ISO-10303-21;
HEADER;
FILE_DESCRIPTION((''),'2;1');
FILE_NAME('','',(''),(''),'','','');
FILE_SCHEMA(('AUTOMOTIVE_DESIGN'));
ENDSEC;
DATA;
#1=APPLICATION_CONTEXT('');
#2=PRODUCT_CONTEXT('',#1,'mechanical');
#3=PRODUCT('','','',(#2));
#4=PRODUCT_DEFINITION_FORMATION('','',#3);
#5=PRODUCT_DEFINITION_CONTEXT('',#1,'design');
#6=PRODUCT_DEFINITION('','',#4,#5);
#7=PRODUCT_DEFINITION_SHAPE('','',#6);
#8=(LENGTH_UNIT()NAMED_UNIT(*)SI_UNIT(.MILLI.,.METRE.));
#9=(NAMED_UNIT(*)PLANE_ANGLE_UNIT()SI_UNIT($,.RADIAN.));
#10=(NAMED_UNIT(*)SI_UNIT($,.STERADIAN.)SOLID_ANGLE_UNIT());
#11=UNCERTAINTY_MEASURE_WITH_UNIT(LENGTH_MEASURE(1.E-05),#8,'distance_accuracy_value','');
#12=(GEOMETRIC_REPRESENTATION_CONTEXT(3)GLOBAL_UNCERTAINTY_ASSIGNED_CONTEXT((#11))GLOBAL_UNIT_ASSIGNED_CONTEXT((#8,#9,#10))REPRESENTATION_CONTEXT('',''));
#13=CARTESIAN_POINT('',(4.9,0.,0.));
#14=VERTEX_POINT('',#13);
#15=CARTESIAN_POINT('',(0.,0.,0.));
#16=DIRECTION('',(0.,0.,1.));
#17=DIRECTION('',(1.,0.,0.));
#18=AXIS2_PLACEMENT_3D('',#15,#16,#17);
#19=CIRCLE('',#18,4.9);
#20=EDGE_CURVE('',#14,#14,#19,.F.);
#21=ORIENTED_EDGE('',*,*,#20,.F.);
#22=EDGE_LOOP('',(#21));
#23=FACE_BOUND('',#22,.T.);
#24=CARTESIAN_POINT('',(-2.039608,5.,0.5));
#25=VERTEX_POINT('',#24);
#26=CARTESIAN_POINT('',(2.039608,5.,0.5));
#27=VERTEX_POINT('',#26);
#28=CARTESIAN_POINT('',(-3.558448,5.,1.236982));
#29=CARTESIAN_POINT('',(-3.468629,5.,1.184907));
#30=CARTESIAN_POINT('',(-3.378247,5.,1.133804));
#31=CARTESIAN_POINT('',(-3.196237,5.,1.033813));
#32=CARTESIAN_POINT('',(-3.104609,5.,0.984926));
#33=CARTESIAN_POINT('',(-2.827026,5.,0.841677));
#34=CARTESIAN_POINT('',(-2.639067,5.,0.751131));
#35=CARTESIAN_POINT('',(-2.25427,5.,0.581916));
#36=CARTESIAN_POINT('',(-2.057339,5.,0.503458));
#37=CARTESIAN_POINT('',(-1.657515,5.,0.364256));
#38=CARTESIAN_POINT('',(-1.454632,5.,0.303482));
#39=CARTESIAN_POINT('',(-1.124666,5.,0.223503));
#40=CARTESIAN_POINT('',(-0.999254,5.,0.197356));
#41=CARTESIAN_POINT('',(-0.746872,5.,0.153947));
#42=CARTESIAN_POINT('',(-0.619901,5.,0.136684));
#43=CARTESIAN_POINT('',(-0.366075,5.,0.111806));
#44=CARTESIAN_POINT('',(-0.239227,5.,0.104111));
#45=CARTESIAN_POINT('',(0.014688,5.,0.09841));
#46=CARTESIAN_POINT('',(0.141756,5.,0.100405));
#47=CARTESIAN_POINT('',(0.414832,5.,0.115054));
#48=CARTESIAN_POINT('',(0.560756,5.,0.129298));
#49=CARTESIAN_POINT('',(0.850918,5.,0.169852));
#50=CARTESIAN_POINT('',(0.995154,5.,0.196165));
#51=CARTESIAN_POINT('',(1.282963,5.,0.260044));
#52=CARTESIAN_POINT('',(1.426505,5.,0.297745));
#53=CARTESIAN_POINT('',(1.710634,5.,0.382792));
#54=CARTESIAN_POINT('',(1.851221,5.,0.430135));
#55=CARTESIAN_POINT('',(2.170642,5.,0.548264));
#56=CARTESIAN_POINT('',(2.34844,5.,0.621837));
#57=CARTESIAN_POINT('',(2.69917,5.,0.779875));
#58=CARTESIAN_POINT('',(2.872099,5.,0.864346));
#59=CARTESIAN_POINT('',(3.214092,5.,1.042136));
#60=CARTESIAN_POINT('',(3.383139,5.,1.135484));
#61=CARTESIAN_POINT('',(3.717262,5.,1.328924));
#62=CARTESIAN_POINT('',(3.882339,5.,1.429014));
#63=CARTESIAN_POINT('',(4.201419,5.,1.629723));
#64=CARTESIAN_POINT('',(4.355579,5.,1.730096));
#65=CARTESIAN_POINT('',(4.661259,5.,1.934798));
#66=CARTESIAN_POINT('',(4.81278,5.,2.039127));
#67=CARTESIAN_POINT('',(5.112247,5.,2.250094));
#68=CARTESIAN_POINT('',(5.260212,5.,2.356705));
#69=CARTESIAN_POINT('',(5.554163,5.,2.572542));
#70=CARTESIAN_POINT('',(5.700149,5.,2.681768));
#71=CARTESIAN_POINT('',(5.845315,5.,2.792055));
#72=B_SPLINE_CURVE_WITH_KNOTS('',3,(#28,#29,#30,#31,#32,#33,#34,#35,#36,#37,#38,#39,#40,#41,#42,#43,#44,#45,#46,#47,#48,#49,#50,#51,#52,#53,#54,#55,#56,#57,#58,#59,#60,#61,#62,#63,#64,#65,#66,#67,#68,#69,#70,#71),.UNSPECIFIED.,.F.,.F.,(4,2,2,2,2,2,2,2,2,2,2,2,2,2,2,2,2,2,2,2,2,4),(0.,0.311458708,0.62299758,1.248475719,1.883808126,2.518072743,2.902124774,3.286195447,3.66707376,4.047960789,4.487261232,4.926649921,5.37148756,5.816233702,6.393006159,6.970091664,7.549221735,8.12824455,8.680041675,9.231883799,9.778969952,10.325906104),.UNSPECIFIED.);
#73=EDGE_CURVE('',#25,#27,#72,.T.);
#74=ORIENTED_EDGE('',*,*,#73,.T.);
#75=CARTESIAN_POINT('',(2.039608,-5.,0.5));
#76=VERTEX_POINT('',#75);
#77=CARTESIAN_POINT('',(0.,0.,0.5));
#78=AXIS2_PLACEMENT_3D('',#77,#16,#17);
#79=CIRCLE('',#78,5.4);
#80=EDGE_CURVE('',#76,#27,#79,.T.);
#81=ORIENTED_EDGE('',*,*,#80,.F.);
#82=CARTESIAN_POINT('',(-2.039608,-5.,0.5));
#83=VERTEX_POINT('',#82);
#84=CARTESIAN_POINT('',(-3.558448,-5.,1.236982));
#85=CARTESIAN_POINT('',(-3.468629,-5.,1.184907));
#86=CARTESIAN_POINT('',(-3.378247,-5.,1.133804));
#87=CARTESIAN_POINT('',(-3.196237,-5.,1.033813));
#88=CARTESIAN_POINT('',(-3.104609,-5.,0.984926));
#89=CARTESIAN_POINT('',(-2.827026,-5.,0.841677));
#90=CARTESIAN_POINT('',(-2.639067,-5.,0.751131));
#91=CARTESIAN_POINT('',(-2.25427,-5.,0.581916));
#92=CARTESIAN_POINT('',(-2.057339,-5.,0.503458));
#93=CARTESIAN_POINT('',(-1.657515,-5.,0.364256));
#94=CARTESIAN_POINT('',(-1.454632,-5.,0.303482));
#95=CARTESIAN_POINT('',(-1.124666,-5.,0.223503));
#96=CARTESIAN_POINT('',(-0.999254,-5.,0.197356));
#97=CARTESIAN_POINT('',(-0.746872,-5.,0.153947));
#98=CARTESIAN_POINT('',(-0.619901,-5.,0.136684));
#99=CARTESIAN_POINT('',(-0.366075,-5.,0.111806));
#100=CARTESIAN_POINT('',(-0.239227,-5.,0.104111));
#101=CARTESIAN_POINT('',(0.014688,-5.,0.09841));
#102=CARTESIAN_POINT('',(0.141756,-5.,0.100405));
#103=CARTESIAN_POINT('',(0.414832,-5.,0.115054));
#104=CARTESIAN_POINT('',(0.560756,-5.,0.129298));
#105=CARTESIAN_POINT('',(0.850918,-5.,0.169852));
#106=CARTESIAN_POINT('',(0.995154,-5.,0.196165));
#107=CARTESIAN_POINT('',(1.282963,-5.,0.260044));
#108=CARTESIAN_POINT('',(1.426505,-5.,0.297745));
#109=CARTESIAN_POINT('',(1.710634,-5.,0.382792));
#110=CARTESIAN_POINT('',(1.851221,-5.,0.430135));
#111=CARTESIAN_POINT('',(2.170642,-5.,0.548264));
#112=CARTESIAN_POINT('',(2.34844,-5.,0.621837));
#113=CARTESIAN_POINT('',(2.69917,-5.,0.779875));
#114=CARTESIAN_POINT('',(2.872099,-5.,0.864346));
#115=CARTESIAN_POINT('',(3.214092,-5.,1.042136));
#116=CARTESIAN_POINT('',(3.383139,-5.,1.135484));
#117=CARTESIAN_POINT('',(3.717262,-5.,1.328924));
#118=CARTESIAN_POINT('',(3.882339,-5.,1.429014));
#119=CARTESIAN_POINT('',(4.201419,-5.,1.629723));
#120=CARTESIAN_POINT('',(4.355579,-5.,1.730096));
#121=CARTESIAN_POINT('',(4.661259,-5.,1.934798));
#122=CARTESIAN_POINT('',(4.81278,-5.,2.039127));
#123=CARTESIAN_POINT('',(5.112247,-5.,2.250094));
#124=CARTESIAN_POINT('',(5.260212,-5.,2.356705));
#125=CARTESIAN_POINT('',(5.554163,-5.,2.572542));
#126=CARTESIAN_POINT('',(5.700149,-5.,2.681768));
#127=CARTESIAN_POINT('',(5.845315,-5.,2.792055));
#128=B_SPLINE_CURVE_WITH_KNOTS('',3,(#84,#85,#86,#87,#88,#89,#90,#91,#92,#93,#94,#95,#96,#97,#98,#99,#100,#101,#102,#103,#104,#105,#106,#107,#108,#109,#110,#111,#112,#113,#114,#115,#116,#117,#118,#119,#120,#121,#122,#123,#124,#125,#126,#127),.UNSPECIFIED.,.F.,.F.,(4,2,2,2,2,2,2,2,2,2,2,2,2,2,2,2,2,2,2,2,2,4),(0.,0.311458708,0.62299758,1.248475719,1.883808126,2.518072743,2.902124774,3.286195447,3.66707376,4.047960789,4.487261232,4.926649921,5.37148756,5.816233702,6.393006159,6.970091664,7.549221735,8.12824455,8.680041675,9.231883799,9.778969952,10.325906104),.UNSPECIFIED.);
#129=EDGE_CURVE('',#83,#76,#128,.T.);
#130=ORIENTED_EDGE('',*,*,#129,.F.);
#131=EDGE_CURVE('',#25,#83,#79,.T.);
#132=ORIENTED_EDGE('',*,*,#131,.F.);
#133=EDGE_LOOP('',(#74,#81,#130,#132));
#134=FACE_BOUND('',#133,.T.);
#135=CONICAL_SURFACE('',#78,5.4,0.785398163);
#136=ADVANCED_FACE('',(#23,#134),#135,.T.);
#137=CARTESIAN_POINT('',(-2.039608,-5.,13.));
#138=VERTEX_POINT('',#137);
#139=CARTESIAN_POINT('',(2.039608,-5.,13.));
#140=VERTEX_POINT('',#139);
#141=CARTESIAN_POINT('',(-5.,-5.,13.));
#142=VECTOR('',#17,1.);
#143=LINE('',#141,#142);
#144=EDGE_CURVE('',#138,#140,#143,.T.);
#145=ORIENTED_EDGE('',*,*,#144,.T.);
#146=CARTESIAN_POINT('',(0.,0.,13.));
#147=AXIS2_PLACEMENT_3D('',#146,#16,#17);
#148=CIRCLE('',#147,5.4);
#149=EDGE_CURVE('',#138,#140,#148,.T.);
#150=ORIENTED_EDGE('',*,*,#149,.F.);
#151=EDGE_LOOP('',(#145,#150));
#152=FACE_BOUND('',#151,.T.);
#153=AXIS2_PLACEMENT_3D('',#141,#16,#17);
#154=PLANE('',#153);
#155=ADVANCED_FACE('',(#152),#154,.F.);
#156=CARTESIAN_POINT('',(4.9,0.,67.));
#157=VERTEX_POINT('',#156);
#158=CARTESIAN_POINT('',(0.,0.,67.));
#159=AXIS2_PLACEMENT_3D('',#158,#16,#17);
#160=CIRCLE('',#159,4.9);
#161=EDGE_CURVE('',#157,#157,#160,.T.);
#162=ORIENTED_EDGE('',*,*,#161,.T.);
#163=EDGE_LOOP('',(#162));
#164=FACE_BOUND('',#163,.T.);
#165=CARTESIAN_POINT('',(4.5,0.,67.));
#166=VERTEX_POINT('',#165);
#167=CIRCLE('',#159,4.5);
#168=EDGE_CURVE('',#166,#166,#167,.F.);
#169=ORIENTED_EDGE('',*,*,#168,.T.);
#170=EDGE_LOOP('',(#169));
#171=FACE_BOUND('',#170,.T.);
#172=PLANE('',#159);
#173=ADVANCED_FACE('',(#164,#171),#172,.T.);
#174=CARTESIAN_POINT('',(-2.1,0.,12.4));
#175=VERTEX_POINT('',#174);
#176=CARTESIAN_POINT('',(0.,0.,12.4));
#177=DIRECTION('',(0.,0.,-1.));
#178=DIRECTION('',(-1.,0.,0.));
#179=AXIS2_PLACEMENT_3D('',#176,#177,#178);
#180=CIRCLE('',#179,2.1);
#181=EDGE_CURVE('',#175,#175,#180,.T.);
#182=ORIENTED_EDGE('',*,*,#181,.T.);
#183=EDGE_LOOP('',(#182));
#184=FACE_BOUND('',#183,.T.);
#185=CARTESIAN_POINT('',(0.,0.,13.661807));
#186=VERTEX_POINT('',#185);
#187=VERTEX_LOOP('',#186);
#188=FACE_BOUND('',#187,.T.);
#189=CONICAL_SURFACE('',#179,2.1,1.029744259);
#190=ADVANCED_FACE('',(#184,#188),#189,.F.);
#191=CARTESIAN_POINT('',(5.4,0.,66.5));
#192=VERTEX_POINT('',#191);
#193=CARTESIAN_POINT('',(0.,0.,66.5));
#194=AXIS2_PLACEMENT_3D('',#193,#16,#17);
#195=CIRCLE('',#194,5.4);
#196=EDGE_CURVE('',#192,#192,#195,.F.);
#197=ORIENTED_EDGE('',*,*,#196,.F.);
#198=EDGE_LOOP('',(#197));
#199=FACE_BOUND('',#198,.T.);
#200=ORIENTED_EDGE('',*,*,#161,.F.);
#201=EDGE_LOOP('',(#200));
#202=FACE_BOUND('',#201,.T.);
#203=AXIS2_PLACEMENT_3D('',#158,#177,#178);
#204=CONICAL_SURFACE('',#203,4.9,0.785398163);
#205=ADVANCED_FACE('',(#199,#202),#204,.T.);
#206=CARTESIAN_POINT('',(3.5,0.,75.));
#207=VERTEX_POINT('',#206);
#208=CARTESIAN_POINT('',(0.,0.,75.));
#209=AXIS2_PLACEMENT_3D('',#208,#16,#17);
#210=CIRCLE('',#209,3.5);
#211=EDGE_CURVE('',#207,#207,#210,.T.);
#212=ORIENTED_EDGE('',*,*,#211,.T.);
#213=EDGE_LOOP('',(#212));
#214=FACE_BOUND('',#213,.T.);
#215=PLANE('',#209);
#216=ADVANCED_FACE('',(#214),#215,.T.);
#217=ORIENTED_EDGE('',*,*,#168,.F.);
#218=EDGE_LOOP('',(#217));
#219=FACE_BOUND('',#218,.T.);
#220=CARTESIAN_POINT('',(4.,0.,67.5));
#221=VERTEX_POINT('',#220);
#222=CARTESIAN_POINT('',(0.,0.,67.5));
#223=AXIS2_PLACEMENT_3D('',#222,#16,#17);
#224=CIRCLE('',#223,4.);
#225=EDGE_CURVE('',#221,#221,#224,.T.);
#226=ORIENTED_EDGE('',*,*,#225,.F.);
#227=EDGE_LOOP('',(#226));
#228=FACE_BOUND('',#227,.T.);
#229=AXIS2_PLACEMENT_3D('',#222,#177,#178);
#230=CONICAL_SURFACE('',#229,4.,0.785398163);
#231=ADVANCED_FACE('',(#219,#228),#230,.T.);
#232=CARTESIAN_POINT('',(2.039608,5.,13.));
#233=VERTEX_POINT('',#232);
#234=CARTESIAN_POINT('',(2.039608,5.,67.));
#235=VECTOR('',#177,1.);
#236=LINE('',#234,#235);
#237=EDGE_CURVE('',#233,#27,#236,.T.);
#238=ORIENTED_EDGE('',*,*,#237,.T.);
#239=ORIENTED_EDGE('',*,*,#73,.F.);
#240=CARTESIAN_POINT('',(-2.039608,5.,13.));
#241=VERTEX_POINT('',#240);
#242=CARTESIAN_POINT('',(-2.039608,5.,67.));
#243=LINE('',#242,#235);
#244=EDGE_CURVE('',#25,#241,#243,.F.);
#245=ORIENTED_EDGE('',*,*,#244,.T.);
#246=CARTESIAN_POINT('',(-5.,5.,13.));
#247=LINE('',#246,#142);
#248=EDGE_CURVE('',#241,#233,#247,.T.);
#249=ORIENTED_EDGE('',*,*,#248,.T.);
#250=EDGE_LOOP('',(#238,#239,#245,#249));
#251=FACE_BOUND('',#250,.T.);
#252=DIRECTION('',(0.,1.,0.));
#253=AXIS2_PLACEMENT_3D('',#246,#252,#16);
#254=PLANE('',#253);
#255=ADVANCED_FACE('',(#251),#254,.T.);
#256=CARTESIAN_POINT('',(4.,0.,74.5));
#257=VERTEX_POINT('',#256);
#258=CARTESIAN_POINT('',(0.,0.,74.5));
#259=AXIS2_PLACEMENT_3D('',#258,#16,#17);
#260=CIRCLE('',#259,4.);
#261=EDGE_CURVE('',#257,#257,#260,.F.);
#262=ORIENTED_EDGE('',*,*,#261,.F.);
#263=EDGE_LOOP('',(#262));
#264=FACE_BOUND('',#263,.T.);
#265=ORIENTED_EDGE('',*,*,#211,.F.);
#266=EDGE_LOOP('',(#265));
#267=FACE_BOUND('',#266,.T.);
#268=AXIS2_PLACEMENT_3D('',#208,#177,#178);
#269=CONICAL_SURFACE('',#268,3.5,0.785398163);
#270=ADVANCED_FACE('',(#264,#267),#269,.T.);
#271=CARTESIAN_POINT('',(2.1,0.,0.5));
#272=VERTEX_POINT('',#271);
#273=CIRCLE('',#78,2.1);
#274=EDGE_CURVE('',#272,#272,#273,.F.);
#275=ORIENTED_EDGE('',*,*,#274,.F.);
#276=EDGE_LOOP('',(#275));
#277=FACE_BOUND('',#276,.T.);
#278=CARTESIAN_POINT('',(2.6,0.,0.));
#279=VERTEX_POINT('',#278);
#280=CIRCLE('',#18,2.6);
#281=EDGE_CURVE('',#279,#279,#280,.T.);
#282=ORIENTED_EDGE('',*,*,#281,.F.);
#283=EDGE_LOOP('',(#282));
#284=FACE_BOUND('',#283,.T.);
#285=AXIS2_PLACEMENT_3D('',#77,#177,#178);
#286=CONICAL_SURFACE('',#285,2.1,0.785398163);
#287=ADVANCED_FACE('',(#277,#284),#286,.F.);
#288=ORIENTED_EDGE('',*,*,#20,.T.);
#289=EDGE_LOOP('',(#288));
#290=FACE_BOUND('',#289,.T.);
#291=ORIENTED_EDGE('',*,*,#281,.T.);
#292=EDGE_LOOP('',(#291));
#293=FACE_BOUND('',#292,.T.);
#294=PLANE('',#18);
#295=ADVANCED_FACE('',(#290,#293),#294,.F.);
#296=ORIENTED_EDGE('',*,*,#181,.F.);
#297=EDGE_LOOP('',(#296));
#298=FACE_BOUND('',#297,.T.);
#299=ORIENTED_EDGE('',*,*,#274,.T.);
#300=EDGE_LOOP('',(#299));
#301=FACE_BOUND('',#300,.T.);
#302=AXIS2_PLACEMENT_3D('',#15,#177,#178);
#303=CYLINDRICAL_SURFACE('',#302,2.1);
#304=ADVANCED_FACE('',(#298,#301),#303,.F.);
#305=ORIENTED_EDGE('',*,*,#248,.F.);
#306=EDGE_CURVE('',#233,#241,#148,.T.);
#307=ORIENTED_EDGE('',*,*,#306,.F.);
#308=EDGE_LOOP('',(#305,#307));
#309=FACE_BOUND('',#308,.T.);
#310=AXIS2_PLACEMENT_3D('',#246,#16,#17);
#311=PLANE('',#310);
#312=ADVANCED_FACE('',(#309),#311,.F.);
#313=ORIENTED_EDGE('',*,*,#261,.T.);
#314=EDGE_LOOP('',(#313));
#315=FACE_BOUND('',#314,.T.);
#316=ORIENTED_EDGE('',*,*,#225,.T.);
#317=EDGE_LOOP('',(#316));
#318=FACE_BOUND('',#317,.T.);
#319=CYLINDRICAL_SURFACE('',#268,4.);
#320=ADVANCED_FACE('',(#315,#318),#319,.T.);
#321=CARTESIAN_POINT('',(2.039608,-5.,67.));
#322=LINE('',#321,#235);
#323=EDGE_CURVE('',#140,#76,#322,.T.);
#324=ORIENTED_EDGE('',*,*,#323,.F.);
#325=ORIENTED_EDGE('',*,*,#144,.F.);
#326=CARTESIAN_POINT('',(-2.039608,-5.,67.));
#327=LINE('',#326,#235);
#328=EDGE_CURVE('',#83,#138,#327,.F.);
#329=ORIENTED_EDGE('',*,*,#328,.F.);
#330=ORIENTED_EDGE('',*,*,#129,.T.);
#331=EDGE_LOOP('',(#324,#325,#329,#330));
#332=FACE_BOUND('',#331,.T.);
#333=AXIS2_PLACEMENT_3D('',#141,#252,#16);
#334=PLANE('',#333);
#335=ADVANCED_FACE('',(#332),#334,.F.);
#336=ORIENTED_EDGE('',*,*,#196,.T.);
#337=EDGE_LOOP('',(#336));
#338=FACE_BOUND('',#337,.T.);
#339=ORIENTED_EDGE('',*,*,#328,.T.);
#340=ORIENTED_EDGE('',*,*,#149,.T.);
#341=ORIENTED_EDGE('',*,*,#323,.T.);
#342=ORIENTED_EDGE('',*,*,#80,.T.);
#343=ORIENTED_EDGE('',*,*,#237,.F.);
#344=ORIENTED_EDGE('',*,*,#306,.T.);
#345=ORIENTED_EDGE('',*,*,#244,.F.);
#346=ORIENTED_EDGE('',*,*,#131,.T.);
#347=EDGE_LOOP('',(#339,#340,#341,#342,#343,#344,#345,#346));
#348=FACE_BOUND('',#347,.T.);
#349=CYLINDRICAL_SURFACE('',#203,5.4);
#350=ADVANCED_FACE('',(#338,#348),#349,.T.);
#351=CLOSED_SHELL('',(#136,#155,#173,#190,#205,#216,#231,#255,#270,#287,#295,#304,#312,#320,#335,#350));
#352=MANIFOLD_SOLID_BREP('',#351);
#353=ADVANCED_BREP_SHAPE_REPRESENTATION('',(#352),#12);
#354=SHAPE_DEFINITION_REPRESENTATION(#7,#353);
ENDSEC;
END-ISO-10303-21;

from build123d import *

# Parameters (mm, degrees)
SKETCH_1_R             = 5.4
EXTRUDE_1_DEPTH        = 67
CHAMFER_1_SIZE         = 0.5
SKETCH_2_R             = 4
EXTRUDE_2_DEPTH        = 8
CHAMFER_2_SIZE         = 0.5
HOLE_WIZARD_M5_1_D     = 4.2
HOLE_WIZARD_M5_1_DEPTH = 12.4
HOLE_WIZARD_M5_1_TIP   = 1.2618073
CHAMFER_3_SIZE         = 0.5
SKETCH_5_W             = 10
SKETCH_5_H             = 3
CUT_EXTRUDE_3_DEPTH    = 13
CHAMFER_4_SIZE         = 0.5


with BuildPart() as part:
    # 草图1 → 拉伸1 (new body)
    with BuildSketch(Plane.XY):
        Circle(SKETCH_1_R)
    extrude(amount=EXTRUDE_1_DEPTH)

    # 倒角1
    chamfer_1_edges = [part.edges().sort_by_distance(p)[0] for p in [
        (-5.4, 0, 0),
        (-5.4, 0, 67),
    ]]
    chamfer(chamfer_1_edges, length=CHAMFER_1_SIZE)

    # 草图2 → 拉伸2 (add)
    with BuildSketch(Plane.XY.offset(67)):
        Circle(SKETCH_2_R)
    extrude(amount=EXTRUDE_2_DEPTH)

    # 倒角2
    chamfer_2_edges = [part.edges().sort_by_distance(p)[0] for p in [
        (-4, 0, 75),
    ]]
    chamfer(chamfer_2_edges, length=CHAMFER_2_SIZE)

    # M5 螺纹孔1
    with Locations(Plane(origin=(0, 0, 0), x_dir=(-1, 0, 0), z_dir=(0, 0, -1))):
        with Locations((0, 0)):
            Hole(HOLE_WIZARD_M5_1_D / 2, depth=HOLE_WIZARD_M5_1_DEPTH)
            with Locations((0, 0, -(HOLE_WIZARD_M5_1_DEPTH + HOLE_WIZARD_M5_1_TIP / 2))):  # 118° drill point
                Cone(0, HOLE_WIZARD_M5_1_D / 2, HOLE_WIZARD_M5_1_TIP, mode=Mode.SUBTRACT)

    # 倒角3
    chamfer_3_edges = [part.edges().sort_by_distance(p)[0] for p in [
        (-2.1, 0, 0),
    ]]
    chamfer(chamfer_3_edges, length=CHAMFER_3_SIZE)

    # 草图5 → 拉伸3 (cut)
    with BuildSketch(Plane.XY):
        with Locations((0, 6.5)):
            Rectangle(SKETCH_5_W, SKETCH_5_H)
    cut_extrude_3 = extrude(amount=CUT_EXTRUDE_3_DEPTH, mode=Mode.SUBTRACT)

    # 镜向1: 拉伸3 across plane
    add(cut_extrude_3.mirror(Plane.ZX), mode=Mode.SUBTRACT)

    # 倒角4
    chamfer_4_edges = [part.edges().sort_by_distance(p)[0] for p in [
        (-4, 0, 67),
    ]]
    chamfer(chamfer_4_edges, length=CHAMFER_4_SIZE)


solid = part.part
